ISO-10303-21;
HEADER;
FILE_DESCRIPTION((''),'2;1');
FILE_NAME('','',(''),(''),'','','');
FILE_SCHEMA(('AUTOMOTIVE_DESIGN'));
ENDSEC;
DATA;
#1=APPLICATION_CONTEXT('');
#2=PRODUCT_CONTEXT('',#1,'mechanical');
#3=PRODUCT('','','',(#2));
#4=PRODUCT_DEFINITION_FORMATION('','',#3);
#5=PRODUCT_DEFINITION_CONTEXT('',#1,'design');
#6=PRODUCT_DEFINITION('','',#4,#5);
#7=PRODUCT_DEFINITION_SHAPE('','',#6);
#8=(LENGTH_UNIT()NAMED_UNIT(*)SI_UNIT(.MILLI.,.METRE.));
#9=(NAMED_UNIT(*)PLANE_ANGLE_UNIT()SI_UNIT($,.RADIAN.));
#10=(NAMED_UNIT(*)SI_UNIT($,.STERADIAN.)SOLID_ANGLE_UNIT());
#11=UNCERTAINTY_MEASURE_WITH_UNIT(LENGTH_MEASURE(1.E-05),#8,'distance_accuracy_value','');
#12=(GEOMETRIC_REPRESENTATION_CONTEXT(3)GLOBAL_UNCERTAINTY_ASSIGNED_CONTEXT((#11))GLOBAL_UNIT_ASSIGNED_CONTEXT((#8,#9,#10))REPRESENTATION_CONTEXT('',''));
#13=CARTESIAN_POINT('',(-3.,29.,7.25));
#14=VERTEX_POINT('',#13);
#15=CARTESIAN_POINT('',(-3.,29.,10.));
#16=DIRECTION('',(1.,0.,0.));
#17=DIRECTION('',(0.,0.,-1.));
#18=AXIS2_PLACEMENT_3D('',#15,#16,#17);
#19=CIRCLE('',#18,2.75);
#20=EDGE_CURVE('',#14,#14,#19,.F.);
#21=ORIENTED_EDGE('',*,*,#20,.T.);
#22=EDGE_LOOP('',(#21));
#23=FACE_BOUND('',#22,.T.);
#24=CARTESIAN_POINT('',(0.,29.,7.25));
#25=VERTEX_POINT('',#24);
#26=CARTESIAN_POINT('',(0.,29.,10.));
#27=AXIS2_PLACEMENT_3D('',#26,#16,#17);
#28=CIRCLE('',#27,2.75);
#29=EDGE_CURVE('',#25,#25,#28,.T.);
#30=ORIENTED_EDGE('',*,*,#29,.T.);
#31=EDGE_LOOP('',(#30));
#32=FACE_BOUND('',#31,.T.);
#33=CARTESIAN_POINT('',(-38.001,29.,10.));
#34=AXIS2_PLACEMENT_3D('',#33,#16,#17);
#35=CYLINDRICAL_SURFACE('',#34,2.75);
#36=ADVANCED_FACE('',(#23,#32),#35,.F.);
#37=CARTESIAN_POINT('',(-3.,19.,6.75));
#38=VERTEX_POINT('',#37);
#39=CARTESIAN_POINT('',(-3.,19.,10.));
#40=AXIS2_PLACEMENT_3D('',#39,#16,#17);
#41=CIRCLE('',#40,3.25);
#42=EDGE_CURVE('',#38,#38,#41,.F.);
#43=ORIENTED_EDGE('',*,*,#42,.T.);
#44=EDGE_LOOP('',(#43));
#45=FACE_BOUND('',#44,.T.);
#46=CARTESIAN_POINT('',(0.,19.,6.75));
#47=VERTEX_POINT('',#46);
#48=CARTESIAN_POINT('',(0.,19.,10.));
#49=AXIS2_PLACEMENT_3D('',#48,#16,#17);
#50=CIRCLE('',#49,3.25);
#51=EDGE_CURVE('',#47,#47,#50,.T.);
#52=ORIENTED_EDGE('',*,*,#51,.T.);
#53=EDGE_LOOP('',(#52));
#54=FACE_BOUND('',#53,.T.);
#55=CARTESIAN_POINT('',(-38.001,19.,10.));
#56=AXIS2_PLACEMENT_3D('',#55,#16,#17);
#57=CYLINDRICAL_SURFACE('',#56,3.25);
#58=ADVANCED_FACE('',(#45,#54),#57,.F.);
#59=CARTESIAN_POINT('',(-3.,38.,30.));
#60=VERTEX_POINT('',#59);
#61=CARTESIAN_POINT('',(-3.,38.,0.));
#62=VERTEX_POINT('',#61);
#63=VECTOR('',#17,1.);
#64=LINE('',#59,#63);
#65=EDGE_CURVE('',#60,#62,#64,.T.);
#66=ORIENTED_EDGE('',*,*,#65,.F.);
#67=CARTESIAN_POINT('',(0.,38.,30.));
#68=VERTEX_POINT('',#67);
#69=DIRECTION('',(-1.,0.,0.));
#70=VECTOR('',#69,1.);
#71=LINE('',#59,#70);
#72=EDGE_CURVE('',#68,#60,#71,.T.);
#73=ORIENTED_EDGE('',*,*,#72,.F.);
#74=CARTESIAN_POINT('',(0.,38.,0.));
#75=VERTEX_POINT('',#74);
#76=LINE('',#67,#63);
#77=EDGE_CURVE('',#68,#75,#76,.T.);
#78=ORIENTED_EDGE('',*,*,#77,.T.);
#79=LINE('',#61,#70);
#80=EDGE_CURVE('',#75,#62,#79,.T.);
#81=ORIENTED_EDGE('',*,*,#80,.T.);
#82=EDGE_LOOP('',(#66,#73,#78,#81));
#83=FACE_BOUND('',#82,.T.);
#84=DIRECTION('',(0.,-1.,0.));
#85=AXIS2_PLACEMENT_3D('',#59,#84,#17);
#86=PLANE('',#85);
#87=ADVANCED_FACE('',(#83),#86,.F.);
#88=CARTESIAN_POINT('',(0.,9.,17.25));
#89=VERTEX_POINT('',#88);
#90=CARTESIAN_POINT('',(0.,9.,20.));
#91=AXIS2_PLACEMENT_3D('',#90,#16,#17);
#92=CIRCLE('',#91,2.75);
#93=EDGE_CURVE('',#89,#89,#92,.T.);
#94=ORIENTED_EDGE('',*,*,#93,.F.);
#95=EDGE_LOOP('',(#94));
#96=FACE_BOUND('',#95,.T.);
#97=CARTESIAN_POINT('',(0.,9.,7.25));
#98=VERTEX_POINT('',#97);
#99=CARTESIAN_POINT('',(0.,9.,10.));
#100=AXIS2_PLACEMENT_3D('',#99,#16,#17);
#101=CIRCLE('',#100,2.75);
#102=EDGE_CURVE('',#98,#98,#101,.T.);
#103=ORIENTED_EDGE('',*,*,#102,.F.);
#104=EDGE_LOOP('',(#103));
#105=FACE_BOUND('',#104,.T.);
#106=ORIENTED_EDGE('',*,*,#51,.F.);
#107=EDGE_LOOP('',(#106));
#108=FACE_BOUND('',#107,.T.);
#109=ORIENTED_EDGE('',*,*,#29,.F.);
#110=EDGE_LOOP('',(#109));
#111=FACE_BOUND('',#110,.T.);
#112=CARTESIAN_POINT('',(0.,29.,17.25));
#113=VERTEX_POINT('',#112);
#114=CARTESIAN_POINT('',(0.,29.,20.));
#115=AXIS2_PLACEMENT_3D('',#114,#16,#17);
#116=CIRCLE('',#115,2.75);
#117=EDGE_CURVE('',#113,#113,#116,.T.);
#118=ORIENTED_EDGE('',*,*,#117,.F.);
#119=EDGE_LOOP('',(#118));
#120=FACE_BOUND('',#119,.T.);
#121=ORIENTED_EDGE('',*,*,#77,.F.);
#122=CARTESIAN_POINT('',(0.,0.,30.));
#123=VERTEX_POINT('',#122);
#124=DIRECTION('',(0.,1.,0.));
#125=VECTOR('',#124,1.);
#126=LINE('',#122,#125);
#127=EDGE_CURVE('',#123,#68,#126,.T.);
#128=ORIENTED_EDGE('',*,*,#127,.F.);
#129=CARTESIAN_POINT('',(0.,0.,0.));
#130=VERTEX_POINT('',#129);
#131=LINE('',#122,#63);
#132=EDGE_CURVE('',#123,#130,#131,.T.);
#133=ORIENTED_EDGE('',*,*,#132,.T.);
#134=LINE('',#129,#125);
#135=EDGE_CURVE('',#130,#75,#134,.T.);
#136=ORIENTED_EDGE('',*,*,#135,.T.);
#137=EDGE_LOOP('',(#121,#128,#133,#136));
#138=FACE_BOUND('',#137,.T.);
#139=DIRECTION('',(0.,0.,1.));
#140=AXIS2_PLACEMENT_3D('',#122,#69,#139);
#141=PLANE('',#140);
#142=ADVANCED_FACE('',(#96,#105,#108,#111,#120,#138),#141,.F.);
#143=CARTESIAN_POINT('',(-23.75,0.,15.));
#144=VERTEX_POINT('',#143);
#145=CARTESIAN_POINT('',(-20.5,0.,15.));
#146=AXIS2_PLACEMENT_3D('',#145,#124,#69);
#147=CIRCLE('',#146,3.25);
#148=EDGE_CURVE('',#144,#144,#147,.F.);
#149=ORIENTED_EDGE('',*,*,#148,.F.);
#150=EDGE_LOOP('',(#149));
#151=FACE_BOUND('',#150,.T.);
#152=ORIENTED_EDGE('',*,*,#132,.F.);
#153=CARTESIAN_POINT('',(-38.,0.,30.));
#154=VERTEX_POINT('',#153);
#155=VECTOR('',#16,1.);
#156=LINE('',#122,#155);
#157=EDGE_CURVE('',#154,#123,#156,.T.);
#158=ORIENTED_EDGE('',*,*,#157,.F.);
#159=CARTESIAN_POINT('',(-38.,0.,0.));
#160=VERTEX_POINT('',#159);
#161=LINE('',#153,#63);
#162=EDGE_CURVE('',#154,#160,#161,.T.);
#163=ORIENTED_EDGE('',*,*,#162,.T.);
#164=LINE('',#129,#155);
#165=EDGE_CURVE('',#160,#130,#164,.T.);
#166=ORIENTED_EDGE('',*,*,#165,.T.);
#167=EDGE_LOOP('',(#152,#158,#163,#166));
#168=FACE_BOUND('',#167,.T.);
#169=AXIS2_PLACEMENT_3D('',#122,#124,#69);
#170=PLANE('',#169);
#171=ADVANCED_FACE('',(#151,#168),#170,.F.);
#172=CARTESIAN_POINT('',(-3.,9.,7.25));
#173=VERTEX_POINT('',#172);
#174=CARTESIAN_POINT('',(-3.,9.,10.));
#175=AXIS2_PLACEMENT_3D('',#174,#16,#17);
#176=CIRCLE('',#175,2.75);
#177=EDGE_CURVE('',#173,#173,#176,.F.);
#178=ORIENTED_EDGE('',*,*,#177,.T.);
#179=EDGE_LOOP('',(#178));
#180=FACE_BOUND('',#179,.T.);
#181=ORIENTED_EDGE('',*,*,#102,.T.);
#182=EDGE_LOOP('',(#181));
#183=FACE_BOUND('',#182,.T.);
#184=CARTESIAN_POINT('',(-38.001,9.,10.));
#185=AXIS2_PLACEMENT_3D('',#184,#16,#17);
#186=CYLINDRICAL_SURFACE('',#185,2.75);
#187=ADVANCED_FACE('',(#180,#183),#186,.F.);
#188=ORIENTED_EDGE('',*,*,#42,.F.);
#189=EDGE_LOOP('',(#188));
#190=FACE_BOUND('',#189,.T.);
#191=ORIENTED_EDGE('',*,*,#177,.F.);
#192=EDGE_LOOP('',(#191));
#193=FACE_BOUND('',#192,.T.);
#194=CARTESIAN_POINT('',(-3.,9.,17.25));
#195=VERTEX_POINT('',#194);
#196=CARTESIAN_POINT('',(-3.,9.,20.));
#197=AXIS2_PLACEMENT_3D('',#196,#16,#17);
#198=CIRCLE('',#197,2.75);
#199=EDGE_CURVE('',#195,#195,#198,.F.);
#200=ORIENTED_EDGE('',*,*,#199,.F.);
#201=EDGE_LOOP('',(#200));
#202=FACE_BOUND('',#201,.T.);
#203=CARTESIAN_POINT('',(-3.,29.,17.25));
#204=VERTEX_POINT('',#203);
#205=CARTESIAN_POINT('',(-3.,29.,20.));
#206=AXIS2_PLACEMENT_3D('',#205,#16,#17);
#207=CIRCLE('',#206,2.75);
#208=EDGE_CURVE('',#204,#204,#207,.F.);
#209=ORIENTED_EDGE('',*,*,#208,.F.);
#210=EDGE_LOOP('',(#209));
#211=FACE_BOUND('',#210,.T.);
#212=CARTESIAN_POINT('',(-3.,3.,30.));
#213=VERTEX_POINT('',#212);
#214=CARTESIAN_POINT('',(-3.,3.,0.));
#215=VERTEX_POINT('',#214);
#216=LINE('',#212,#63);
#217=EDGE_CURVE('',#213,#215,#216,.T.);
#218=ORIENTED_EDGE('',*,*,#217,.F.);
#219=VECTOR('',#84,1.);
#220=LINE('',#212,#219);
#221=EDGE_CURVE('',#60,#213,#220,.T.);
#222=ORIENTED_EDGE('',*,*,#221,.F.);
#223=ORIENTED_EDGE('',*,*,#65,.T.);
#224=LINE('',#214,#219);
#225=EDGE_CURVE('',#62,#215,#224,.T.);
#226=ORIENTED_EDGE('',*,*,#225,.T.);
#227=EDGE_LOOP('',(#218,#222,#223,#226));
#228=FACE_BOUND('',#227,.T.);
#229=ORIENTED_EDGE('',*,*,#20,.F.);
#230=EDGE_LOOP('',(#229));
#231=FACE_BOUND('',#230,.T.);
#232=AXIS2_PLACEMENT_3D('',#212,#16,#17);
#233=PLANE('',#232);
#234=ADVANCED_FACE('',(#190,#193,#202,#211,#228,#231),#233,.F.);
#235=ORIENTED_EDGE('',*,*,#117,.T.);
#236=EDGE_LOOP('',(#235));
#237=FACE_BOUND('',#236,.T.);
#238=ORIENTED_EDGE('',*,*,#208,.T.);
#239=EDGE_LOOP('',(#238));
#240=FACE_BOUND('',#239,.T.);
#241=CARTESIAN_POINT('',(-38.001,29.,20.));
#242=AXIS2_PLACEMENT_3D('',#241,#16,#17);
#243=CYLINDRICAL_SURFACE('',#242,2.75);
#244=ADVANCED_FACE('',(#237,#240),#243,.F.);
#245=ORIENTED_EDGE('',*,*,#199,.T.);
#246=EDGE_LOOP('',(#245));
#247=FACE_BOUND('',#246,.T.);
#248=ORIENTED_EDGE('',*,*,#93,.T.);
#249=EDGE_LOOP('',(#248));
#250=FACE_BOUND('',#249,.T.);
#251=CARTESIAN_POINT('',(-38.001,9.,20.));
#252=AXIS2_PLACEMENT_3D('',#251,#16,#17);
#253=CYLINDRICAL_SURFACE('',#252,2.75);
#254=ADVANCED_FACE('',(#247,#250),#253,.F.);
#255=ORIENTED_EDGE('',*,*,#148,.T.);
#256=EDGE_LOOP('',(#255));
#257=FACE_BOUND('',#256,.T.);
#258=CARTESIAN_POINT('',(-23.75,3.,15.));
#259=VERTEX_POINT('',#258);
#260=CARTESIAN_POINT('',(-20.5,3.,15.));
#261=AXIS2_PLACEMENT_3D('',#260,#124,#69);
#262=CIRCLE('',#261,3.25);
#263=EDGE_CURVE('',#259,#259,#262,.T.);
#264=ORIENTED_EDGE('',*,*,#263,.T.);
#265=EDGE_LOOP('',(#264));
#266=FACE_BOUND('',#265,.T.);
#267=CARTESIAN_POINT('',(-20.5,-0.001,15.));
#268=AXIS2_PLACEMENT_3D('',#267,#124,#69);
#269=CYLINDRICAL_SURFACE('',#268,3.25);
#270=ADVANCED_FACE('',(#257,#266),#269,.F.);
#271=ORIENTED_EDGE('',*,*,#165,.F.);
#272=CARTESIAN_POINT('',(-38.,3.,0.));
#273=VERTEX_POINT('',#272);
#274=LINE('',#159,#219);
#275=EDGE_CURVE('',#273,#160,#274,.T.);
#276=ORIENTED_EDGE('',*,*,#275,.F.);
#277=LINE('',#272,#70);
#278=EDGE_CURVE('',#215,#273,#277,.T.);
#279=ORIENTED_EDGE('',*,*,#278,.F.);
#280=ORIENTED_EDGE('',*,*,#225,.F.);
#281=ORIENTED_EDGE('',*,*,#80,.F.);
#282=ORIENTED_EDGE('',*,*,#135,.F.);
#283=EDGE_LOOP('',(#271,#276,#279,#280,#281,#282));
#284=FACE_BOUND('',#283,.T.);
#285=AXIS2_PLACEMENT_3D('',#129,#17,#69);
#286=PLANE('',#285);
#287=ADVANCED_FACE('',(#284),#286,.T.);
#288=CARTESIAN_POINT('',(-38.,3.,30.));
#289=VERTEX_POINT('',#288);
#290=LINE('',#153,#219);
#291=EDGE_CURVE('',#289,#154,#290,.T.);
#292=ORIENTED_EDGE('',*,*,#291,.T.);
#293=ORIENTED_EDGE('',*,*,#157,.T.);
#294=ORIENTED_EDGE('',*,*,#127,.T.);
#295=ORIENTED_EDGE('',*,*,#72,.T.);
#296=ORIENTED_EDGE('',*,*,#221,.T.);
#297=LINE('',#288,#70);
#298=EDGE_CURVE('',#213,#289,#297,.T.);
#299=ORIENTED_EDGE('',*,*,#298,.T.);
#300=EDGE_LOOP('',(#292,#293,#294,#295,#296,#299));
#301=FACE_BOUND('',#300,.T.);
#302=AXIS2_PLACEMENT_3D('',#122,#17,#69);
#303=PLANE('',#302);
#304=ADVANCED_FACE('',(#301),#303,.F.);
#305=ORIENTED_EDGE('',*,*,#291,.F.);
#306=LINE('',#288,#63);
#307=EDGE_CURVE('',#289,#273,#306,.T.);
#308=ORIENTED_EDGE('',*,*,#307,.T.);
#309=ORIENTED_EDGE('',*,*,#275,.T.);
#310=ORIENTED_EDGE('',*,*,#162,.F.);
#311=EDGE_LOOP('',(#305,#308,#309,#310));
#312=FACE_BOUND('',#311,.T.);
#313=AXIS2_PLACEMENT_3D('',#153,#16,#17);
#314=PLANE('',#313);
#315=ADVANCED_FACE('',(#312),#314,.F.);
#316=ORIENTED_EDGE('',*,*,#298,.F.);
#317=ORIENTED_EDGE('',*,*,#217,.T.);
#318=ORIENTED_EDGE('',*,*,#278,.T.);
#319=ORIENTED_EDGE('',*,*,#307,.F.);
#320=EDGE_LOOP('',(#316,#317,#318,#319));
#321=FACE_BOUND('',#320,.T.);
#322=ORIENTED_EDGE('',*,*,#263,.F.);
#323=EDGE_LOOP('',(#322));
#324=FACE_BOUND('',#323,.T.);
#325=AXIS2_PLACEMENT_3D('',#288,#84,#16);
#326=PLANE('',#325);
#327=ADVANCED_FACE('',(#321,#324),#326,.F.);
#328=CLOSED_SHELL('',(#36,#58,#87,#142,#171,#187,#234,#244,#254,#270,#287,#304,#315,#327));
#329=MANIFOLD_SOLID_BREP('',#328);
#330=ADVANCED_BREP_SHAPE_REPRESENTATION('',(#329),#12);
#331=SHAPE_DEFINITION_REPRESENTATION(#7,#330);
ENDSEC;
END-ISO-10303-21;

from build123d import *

# Parameters (mm, degrees)
EXTRUDE_1_DEPTH     = 30
CUT_EXTRUDE_3_REACH = 40
SKETCH_4_R          = 2.75
SKETCH_4_R_2        = 3.25
CUT_EXTRUDE_4_REACH = 5
SKETCH_5_R          = 3.25


with BuildPart() as part:
    # 草图1 → 凸台-拉伸1 (new body)
    with BuildSketch(Plane.XY):
        Polygon((0, 0), (0, 38), (-3, 38), (-3, 3), (-38, 3), (-38, 0), align=None)
    extrude(amount=EXTRUDE_1_DEPTH)

    # 草图4 → 切除-拉伸3 (cut, up to next)
    with BuildSketch(Plane(origin=(0, 0, 0), x_dir=(0, 0, -1), z_dir=(1, 0, 0)), mode=Mode.PRIVATE) as cut_extrude_3_sk1:
        with Locations((-10, 29)):
            Circle(SKETCH_4_R)
    cut_extrude_3_tool1 = extrude(cut_extrude_3_sk1.sketch, amount=-CUT_EXTRUDE_3_REACH, mode=Mode.PRIVATE) & part.part
    add(cut_extrude_3_tool1.solids().sort_by_distance((0, 29, 10))[0], mode=Mode.SUBTRACT)
    # 草图4 → 切除-拉伸3 (cut, up to next)
    with BuildSketch(Plane(origin=(0, 0, 0), x_dir=(0, 0, -1), z_dir=(1, 0, 0)), mode=Mode.PRIVATE) as cut_extrude_3_sk2:
        with Locations((-10, 19)):
            Circle(SKETCH_4_R_2)
    cut_extrude_3_tool2 = extrude(cut_extrude_3_sk2.sketch, amount=-CUT_EXTRUDE_3_REACH, mode=Mode.PRIVATE) & part.part
    add(cut_extrude_3_tool2.solids().sort_by_distance((0, 19, 10))[0], mode=Mode.SUBTRACT)
    # 草图4 → 切除-拉伸3 (cut, up to next)
    with BuildSketch(Plane(origin=(0, 0, 0), x_dir=(0, 0, -1), z_dir=(1, 0, 0)), mode=Mode.PRIVATE) as cut_extrude_3_sk3:
        with Locations((-10, 9)):
            Circle(SKETCH_4_R)
    cut_extrude_3_tool3 = extrude(cut_extrude_3_sk3.sketch, amount=-CUT_EXTRUDE_3_REACH, mode=Mode.PRIVATE) & part.part
    add(cut_extrude_3_tool3.solids().sort_by_distance((0, 9, 10))[0], mode=Mode.SUBTRACT)
    # 草图4 → 切除-拉伸3 (cut, up to next)
    with BuildSketch(Plane(origin=(0, 0, 0), x_dir=(0, 0, -1), z_dir=(1, 0, 0)), mode=Mode.PRIVATE) as cut_extrude_3_sk4:
        with Locations((-20, 29)):
            Circle(SKETCH_4_R)
    cut_extrude_3_tool4 = extrude(cut_extrude_3_sk4.sketch, amount=-CUT_EXTRUDE_3_REACH, mode=Mode.PRIVATE) & part.part
    add(cut_extrude_3_tool4.solids().sort_by_distance((0, 29, 20))[0], mode=Mode.SUBTRACT)
    # 草图4 → 切除-拉伸3 (cut, up to next)
    with BuildSketch(Plane(origin=(0, 0, 0), x_dir=(0, 0, -1), z_dir=(1, 0, 0)), mode=Mode.PRIVATE) as cut_extrude_3_sk5:
        with Locations((-20, 9)):
            Circle(SKETCH_4_R)
    cut_extrude_3_tool5 = extrude(cut_extrude_3_sk5.sketch, amount=-CUT_EXTRUDE_3_REACH, mode=Mode.PRIVATE) & part.part
    add(cut_extrude_3_tool5.solids().sort_by_distance((0, 9, 20))[0], mode=Mode.SUBTRACT)

    # 草图5 → 切除-拉伸4 (cut, up to next)
    with BuildSketch(Plane(origin=(0, 3, 0), x_dir=(1, 0, 0), z_dir=(0, 1, 0)), mode=Mode.PRIVATE) as cut_extrude_4_sk1:
        with Locations((-20.5, -15)):
            Circle(SKETCH_5_R)
    cut_extrude_4_tool1 = extrude(cut_extrude_4_sk1.sketch, amount=-CUT_EXTRUDE_4_REACH, mode=Mode.PRIVATE) & part.part
    add(cut_extrude_4_tool1.solids().sort_by_distance((-20.5, 3, 15))[0], mode=Mode.SUBTRACT)


solid = part.part
